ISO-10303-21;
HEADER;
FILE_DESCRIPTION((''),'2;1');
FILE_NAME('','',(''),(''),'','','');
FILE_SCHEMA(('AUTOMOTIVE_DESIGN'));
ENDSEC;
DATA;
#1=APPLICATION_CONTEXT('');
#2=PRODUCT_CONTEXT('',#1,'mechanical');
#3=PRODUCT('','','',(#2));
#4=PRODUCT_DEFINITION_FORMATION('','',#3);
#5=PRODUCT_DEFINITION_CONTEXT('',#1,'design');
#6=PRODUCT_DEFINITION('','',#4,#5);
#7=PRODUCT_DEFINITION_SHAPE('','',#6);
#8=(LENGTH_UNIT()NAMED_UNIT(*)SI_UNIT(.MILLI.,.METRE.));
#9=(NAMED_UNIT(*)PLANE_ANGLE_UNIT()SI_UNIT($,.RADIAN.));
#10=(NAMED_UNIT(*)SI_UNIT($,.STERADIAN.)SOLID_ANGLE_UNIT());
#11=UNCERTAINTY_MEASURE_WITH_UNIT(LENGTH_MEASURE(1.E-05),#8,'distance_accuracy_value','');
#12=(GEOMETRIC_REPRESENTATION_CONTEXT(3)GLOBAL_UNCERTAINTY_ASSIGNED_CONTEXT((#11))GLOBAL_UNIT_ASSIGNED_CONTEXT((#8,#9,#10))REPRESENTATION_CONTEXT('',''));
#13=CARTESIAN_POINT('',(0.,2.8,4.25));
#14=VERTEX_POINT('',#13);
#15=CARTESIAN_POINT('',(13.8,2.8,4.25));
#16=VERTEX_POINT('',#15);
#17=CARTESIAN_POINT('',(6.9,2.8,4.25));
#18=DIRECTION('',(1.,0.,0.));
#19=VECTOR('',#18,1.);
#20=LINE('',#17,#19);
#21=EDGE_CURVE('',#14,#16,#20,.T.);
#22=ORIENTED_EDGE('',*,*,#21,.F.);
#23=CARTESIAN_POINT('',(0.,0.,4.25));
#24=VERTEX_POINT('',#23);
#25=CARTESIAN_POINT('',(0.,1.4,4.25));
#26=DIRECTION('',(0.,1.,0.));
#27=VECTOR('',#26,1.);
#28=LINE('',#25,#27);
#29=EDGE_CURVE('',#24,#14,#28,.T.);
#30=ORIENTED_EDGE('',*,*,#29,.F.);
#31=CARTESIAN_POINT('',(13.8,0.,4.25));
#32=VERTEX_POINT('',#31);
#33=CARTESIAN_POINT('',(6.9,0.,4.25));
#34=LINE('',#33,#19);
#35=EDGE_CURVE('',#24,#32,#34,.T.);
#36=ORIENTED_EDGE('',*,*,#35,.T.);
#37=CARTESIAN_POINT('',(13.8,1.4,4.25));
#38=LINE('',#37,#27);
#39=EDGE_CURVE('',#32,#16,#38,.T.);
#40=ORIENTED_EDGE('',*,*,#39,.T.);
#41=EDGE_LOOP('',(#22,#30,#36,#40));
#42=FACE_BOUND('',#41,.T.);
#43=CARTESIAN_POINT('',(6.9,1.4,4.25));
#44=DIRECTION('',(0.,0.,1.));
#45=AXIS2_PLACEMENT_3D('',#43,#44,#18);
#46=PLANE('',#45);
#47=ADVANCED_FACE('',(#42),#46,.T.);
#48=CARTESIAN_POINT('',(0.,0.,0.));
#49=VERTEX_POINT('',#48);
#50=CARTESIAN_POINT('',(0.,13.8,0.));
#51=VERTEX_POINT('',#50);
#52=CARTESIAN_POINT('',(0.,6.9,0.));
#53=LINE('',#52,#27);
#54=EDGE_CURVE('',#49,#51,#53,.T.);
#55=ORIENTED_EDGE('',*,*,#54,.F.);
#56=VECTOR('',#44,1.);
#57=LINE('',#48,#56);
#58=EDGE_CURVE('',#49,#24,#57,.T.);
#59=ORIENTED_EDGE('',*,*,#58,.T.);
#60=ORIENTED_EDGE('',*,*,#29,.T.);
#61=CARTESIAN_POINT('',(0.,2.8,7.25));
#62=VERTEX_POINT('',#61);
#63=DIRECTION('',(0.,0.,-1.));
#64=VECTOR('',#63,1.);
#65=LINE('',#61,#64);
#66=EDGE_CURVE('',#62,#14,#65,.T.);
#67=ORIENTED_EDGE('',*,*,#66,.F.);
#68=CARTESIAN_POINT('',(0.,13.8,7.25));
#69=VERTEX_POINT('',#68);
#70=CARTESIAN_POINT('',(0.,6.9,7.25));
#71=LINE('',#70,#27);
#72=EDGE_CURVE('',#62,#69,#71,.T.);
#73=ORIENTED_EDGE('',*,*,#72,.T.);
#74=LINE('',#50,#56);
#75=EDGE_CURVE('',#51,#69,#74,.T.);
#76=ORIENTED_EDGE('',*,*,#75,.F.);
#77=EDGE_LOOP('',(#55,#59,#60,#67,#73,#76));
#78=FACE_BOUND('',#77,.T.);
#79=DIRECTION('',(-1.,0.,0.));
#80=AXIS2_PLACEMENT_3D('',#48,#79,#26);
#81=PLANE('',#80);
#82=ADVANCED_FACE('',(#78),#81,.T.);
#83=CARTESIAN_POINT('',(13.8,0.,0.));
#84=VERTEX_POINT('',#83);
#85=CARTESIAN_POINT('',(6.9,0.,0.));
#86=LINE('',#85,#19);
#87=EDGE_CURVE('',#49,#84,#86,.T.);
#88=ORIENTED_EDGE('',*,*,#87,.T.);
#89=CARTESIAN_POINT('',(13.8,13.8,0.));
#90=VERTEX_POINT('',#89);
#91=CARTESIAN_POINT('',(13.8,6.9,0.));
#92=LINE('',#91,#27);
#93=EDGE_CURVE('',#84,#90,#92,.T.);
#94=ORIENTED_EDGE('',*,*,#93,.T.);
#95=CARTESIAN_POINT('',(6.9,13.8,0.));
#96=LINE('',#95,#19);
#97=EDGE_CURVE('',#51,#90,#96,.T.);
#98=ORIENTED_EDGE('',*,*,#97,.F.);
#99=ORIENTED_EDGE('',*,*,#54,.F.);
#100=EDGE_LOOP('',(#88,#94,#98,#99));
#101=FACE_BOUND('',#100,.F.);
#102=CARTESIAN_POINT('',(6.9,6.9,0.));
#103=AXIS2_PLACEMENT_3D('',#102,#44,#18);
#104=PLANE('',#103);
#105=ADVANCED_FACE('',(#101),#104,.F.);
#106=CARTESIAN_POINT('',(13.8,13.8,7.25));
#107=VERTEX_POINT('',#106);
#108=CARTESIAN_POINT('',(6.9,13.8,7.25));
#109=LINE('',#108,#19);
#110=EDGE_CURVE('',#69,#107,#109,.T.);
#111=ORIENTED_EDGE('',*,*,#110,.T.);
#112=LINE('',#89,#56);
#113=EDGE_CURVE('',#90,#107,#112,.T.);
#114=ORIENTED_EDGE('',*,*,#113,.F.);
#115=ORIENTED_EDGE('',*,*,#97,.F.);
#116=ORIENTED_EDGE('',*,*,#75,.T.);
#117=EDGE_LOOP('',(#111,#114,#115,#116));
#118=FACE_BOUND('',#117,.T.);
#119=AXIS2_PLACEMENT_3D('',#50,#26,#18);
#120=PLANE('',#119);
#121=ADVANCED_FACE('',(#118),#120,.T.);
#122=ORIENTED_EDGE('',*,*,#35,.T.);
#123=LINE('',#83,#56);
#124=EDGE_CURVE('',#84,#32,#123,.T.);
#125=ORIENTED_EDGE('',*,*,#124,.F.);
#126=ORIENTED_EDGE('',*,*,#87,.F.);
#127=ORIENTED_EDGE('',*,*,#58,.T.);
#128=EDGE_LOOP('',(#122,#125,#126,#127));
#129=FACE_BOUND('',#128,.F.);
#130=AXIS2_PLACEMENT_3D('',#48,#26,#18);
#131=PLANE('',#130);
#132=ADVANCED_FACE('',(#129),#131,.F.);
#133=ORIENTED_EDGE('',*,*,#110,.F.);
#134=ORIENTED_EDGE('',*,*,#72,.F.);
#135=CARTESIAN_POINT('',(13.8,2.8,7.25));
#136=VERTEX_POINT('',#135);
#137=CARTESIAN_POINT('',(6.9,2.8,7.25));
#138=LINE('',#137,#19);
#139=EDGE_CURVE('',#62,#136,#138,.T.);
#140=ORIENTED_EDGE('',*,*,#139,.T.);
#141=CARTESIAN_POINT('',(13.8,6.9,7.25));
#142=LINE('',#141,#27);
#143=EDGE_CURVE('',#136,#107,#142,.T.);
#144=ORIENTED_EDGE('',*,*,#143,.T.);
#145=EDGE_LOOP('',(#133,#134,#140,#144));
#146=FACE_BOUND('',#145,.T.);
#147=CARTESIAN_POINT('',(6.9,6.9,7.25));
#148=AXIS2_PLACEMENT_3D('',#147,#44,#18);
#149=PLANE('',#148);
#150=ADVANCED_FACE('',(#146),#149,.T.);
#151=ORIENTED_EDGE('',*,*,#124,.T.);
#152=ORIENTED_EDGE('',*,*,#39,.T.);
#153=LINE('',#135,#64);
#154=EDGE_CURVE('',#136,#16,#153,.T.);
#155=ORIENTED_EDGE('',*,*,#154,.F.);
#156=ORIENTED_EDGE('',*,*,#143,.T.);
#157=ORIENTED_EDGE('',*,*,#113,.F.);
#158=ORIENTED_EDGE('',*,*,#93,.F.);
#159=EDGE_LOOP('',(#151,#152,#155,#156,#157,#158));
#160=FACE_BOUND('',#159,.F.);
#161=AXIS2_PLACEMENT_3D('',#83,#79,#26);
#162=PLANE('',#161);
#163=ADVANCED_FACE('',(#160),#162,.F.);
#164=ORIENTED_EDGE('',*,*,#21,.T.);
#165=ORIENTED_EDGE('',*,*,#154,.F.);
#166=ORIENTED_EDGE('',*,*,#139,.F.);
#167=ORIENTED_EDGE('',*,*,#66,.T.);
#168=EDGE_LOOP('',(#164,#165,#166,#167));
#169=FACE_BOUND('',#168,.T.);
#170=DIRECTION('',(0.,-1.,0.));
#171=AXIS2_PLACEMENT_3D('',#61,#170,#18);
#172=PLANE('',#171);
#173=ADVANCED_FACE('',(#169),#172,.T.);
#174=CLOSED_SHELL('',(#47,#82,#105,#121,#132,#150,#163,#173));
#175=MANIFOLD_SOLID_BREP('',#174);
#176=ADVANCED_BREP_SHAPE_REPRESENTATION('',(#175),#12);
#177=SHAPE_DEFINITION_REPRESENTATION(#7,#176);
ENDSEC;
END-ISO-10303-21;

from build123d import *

# Parameters (mm, degrees)
BOX_W        = 13.8
BOX_H        = 13.8
BOX_DEPTH    = 7.25
SKETCH_W     = 13.8
SKETCH_H     = 2.8
POCKET_DEPTH = 3


with BuildPart() as part:
    # Box → Box (new body)
    with BuildSketch(Plane.XY):
        with Locations((6.9, 6.9)):
            Rectangle(BOX_W, BOX_H)
    extrude(amount=BOX_DEPTH)

    # Sketch (on Face6 of BaseFeature) → Pocket (cut)
    with BuildSketch(Plane.XY.offset(7.25)):
        with Locations((6.9, 1.4)):
            Rectangle(SKETCH_W, SKETCH_H)
    extrude(amount=-POCKET_DEPTH, mode=Mode.SUBTRACT)


solid = part.part
